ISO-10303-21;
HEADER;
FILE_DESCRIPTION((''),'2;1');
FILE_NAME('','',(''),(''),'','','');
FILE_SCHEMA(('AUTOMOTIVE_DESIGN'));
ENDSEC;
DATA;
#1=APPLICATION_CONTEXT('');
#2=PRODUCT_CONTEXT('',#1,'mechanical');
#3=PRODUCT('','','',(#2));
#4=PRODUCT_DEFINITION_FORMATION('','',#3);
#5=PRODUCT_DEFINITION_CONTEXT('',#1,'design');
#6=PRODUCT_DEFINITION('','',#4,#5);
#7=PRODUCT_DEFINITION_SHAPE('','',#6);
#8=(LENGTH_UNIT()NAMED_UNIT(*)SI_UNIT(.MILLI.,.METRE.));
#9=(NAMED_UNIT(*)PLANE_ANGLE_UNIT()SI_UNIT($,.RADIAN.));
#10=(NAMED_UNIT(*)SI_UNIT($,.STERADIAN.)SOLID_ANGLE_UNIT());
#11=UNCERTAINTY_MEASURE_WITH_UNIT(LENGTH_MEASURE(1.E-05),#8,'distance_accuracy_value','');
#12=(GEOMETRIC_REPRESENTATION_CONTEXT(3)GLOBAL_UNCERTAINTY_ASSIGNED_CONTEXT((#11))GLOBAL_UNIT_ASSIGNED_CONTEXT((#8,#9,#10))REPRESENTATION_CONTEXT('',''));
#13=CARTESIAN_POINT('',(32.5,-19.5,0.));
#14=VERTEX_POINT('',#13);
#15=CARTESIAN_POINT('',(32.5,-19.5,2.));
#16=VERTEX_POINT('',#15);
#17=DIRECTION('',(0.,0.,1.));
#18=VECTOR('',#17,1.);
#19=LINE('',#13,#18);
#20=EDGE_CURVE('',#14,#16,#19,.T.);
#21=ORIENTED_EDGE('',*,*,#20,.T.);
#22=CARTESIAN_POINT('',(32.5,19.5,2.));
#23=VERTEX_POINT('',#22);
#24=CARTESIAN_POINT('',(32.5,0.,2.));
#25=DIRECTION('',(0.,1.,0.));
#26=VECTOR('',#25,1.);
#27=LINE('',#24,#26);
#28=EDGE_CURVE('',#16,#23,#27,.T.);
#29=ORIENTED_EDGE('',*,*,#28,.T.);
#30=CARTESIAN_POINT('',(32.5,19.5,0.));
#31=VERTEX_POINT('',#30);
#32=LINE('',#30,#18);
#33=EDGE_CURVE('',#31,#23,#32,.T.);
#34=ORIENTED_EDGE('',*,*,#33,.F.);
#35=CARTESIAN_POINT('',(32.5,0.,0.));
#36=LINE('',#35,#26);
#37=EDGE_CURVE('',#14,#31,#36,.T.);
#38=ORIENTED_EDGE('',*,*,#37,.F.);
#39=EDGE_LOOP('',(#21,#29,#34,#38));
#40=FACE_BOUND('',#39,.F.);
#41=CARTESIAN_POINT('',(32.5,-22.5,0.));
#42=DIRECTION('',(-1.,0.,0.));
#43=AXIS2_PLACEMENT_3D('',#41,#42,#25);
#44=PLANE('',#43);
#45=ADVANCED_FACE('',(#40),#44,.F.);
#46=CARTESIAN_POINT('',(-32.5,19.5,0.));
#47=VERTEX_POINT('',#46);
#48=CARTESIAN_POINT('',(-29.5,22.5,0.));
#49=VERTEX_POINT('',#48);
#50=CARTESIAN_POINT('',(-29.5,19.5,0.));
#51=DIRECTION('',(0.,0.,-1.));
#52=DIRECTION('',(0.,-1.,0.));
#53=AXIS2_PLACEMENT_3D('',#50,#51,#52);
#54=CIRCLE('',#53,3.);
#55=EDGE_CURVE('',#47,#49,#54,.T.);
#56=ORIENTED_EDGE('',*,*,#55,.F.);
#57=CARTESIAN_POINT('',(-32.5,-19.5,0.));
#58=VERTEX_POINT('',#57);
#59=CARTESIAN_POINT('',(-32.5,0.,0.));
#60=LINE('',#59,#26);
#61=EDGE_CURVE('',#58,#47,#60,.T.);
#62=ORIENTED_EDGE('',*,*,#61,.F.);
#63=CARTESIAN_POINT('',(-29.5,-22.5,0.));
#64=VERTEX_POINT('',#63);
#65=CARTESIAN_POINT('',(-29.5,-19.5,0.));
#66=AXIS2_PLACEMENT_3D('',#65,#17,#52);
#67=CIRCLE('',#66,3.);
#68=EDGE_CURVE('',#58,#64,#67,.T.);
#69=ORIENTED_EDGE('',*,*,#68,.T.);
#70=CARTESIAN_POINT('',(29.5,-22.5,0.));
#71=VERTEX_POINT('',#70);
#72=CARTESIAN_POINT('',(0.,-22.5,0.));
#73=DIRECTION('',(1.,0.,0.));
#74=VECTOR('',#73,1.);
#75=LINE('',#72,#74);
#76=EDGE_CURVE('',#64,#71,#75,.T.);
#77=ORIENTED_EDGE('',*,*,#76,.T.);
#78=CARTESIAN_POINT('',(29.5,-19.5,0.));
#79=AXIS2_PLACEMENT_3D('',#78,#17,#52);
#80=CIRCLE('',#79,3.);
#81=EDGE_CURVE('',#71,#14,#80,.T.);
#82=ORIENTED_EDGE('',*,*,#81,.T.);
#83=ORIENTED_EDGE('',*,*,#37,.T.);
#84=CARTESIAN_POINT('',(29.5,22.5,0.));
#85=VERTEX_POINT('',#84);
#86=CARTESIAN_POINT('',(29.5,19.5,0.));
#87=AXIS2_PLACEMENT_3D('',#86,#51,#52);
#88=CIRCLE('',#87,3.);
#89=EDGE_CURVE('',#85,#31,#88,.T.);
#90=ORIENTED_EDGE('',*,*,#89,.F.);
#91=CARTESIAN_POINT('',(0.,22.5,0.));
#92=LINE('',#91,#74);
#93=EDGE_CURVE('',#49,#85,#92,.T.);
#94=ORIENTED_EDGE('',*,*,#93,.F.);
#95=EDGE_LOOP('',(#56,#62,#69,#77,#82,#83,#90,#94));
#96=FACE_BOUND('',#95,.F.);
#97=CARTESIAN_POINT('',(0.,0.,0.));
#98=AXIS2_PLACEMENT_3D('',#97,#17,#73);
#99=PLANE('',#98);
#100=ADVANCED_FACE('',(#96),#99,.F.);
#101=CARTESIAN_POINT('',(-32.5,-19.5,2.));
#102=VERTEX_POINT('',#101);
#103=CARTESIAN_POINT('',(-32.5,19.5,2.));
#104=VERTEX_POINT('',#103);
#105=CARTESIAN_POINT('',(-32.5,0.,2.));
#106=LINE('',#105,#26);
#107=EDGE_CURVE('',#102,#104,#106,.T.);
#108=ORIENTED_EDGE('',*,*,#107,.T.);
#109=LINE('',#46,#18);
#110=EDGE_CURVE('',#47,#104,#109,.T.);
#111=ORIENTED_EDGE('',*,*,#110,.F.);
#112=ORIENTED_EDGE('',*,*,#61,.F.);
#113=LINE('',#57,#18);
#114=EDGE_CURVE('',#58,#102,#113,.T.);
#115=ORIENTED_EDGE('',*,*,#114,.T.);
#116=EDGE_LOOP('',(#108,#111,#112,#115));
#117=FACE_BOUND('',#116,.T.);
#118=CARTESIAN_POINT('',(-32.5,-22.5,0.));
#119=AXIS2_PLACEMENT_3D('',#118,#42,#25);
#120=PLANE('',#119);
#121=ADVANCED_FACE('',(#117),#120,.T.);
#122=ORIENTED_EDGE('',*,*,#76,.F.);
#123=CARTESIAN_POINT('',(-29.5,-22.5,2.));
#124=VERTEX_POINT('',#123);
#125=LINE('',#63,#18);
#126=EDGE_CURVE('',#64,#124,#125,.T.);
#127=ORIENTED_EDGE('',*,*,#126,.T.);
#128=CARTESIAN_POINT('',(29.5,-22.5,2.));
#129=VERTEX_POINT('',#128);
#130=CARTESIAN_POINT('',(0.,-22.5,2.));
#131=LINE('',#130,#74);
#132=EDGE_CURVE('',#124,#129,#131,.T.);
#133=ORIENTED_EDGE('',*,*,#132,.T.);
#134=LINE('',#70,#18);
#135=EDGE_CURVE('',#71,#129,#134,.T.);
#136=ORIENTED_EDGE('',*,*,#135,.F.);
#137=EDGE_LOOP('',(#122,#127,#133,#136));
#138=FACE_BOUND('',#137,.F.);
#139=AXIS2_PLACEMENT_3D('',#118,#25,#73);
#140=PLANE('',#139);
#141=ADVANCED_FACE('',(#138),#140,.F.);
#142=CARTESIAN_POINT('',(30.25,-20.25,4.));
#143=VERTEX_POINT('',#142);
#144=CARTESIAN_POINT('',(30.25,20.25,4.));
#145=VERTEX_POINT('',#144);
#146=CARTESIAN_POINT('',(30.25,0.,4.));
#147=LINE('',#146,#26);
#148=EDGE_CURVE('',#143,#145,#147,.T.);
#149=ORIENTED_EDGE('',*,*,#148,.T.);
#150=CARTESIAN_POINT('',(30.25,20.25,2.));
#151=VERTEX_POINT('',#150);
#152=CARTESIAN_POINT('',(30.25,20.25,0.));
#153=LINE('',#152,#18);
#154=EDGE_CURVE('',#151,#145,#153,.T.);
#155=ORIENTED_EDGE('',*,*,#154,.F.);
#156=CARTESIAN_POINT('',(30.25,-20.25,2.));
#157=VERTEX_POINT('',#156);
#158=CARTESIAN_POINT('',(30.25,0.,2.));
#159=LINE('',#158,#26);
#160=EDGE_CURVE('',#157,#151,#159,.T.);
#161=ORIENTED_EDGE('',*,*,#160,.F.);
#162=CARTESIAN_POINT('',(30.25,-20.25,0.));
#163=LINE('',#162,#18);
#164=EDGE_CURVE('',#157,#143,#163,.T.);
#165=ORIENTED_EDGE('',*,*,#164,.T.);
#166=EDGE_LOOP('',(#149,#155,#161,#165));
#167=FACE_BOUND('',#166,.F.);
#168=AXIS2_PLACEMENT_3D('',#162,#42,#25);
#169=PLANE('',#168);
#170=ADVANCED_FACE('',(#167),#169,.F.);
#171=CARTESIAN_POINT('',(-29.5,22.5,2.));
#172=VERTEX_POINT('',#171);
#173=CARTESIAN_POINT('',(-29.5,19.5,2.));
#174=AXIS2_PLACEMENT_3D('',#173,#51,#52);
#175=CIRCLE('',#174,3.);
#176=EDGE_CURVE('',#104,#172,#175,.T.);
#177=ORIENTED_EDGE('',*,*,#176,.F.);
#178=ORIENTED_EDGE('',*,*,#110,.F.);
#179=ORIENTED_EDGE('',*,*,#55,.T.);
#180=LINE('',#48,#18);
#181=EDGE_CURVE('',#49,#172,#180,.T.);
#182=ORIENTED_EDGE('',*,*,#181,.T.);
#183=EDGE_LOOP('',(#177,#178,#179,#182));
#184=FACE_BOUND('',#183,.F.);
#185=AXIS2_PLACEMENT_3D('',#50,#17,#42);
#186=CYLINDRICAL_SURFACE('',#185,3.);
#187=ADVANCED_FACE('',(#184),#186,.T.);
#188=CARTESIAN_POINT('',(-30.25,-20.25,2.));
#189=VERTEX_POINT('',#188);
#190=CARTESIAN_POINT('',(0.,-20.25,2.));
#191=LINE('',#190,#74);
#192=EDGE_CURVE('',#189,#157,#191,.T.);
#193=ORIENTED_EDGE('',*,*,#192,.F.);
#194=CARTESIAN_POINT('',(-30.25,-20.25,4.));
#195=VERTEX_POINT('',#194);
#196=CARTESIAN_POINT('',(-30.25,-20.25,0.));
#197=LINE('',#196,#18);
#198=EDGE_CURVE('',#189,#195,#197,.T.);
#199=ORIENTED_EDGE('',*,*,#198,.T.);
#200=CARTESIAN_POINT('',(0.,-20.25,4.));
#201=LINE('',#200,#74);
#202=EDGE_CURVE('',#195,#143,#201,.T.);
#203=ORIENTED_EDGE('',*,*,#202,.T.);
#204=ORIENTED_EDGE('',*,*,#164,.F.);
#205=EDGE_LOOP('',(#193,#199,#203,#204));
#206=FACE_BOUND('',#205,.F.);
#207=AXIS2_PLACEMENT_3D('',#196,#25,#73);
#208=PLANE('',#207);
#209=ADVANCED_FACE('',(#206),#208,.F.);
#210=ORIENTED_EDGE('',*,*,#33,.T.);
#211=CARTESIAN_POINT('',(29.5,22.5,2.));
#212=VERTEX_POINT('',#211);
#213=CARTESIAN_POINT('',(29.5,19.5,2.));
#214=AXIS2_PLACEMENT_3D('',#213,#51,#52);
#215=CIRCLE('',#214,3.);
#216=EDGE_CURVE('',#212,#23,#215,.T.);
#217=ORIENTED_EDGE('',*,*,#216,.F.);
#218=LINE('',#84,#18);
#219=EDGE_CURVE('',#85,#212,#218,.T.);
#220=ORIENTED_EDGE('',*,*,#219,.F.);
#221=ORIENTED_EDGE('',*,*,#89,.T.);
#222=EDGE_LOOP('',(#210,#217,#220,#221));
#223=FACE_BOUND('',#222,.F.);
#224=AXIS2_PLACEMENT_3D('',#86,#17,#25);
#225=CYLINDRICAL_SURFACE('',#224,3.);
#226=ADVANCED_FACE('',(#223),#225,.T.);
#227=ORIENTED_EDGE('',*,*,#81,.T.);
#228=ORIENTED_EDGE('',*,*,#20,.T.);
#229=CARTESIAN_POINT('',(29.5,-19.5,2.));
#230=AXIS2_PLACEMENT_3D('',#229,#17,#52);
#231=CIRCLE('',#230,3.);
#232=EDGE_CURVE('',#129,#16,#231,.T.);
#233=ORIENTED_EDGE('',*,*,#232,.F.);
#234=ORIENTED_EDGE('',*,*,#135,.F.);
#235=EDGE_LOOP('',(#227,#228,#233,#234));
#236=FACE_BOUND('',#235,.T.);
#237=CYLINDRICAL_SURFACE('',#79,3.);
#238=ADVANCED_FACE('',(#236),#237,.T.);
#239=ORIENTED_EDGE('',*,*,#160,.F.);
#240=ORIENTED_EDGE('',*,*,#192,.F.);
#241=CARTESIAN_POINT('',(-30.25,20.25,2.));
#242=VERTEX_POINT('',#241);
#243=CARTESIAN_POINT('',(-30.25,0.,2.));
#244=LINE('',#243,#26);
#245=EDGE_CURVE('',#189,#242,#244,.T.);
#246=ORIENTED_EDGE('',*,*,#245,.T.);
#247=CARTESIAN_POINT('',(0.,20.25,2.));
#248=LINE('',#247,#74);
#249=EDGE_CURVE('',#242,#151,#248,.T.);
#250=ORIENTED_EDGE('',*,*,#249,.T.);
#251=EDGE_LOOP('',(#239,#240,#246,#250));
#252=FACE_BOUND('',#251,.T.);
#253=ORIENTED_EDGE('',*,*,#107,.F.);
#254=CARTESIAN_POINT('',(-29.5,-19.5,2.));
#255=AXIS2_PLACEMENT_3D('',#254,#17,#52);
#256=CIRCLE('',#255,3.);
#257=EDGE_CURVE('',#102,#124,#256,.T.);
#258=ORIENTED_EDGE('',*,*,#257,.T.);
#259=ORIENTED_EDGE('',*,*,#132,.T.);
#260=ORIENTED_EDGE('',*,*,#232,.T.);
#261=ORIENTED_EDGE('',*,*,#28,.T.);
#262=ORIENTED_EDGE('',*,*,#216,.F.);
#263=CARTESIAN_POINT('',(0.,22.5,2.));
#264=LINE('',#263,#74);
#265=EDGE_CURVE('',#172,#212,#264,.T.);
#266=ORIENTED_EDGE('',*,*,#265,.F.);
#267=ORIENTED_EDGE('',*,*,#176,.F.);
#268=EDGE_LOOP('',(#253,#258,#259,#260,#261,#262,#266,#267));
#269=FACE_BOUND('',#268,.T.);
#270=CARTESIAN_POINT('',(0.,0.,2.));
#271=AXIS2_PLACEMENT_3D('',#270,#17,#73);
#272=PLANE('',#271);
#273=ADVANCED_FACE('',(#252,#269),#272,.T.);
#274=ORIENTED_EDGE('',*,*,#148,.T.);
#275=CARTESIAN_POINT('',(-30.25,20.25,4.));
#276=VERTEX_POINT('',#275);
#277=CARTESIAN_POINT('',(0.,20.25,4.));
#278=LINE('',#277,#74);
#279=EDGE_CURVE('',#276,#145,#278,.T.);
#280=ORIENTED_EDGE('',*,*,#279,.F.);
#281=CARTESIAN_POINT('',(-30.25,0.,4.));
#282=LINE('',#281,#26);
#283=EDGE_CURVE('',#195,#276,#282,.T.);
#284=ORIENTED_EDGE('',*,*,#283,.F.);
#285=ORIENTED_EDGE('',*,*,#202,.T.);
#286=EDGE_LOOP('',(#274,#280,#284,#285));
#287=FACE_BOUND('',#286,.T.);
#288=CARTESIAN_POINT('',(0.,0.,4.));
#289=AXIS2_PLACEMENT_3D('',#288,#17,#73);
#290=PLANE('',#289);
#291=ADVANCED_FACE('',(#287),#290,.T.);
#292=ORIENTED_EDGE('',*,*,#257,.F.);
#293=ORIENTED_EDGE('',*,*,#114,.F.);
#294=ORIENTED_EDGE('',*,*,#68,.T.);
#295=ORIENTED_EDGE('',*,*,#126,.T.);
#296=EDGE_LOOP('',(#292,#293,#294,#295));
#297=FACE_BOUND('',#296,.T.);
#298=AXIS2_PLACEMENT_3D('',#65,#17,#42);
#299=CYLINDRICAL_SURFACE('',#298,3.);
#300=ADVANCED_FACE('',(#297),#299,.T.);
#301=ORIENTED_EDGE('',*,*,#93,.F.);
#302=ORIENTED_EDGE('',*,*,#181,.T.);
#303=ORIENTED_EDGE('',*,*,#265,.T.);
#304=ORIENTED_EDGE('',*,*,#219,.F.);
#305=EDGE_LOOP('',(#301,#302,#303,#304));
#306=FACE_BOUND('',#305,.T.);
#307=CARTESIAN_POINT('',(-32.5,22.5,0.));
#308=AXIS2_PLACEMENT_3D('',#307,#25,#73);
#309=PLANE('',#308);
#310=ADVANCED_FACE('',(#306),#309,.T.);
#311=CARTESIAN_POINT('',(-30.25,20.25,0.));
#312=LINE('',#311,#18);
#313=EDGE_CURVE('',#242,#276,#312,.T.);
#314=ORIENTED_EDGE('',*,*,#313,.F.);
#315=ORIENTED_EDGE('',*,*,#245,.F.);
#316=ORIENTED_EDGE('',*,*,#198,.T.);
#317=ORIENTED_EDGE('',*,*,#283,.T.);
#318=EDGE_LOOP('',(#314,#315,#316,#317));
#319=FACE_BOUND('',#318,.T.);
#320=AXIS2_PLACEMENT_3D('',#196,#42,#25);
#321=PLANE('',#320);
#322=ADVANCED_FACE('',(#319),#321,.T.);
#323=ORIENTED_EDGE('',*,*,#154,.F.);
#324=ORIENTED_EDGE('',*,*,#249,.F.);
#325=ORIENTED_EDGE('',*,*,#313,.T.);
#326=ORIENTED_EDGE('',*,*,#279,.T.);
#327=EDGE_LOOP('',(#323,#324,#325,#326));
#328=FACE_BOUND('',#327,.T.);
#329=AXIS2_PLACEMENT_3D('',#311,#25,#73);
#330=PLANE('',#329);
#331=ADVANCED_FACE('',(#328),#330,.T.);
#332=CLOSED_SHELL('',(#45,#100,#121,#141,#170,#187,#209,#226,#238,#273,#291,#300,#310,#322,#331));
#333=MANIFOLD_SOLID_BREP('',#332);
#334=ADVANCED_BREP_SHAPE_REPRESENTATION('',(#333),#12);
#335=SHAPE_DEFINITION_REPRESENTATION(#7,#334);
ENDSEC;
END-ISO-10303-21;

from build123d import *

# Parameters (mm, degrees)
F0_W     = 65
F0_H     = 45
F0_W_2   = 60.5
F0_H_2   = 40.5
F1_DEPTH = 2
F0_W_3   = 52
F0_H_3   = 32
F2_DEPTH = 4
F3_R     = 3


with BuildPart() as f1:
    # F0 (on Top) → F1 (new body)
    with BuildSketch(Plane.XY):
        Rectangle(F0_W, F0_H)
        Rectangle(F0_W_2, F0_H_2, mode=Mode.SUBTRACT)
    extrude(amount=F1_DEPTH)

    # F0 (on Top) → F2 (join)
    with BuildSketch(Plane.XY):
        Rectangle(F0_W_2, F0_H_2)
        Rectangle(F0_W_3, F0_H_3, mode=Mode.SUBTRACT)
        Rectangle(F0_W_3, F0_H_3)
    extrude(amount=F2_DEPTH)

    # F3
    f3_edges = [f1.edges().sort_by_distance(p)[0] for p in [
        (-32.5, 22.5, 1),
        (32.5, 22.5, 1),
        (32.5, -22.5, 1),
        (-32.5, -22.5, 1),
    ]]
    fillet(f3_edges, radius=F3_R)


solid = f1.part
